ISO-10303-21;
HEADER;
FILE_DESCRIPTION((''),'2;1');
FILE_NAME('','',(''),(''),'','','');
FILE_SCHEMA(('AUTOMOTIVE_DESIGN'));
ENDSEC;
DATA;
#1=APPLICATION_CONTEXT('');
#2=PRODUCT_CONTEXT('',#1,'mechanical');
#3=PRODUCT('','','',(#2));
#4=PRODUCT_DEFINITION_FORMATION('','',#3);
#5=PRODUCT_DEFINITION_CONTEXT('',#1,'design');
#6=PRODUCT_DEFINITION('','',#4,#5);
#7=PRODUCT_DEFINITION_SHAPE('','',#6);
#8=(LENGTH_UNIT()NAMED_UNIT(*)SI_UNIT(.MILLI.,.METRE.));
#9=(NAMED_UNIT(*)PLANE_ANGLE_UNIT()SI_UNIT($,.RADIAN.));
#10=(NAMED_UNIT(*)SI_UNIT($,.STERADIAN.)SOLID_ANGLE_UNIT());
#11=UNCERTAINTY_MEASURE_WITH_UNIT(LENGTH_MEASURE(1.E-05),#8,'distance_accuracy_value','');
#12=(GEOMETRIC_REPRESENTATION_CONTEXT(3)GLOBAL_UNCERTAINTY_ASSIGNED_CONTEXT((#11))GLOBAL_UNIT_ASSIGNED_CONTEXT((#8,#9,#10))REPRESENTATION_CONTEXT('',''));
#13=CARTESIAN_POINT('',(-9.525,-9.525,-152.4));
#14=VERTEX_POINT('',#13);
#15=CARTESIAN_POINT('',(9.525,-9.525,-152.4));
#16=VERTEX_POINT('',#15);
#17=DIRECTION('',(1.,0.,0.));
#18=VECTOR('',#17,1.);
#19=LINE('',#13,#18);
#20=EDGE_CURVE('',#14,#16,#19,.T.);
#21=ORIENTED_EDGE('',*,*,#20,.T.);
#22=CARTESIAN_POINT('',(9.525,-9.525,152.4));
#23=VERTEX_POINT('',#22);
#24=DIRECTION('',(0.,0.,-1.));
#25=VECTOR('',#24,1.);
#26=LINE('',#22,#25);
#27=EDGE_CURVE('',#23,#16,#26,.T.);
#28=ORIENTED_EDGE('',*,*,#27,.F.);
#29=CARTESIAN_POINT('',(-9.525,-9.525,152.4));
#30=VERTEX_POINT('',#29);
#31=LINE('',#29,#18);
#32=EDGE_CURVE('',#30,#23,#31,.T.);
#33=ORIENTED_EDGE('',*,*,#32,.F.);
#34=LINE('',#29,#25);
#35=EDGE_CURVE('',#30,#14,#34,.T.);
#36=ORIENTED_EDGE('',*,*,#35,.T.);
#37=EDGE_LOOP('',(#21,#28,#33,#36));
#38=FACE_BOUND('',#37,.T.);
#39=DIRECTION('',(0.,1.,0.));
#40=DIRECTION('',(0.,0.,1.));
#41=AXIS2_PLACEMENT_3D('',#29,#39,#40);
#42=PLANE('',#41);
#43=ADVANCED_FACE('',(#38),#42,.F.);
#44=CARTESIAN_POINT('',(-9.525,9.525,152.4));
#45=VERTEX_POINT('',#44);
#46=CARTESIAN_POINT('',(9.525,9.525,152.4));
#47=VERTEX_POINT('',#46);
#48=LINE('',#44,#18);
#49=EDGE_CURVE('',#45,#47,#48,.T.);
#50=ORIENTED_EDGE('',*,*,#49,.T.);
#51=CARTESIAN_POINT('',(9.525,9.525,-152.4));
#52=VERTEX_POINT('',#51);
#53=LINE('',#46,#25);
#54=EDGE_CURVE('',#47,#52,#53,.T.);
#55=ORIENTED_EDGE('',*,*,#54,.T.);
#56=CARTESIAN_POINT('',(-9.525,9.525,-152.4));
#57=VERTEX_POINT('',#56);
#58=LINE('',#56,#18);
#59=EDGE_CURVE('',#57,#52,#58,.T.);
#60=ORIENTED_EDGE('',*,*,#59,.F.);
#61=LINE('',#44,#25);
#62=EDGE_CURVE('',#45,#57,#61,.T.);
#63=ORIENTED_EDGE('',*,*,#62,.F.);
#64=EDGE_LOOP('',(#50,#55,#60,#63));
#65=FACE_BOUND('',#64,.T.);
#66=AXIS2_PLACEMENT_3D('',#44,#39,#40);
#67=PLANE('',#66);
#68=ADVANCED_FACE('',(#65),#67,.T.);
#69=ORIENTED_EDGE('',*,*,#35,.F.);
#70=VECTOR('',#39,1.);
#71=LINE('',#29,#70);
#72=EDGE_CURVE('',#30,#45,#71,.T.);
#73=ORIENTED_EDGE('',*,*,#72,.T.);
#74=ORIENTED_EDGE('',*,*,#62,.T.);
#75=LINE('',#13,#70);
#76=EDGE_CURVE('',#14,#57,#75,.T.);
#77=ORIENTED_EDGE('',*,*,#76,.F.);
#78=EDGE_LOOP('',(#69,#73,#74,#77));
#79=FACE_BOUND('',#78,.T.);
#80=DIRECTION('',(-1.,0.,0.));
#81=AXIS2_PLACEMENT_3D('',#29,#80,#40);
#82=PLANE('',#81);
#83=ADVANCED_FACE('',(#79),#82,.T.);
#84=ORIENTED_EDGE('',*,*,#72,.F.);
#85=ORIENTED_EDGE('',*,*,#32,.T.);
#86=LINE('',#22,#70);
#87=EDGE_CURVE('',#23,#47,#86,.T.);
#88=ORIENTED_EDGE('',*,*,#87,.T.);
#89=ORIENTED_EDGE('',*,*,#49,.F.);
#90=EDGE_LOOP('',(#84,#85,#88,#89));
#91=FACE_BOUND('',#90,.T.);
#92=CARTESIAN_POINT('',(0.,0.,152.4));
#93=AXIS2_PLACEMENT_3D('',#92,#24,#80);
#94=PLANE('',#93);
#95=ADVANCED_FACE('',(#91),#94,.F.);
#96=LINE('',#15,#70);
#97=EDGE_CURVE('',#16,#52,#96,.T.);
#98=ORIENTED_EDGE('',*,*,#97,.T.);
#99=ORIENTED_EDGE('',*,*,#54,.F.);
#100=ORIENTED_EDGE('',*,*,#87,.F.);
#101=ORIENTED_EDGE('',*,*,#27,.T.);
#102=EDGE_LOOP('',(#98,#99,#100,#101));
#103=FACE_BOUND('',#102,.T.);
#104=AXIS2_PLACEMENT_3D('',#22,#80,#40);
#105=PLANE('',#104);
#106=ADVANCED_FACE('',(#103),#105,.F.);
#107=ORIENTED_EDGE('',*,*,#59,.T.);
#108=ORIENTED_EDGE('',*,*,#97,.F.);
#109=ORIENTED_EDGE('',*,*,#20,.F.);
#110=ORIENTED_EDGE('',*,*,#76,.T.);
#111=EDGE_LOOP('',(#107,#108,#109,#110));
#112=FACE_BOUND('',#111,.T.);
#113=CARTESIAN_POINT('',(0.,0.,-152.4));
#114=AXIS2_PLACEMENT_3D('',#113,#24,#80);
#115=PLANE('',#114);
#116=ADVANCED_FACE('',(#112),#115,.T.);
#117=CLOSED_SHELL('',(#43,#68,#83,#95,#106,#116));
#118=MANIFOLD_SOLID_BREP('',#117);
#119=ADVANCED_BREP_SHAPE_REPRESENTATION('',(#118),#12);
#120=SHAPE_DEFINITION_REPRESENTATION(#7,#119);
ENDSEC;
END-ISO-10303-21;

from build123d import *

# Parameters (mm, degrees)
SKETCH1_W           = 19.05
SKETCH1_H           = 19.05
BOSS_EXTRUDE1_DEPTH = 152.4


with BuildPart() as part:
    # Sketch1 → Boss-Extrude1 (new, symmetric)
    with BuildSketch(Plane.XY):
        Rectangle(SKETCH1_W, SKETCH1_H)
    extrude(amount=BOSS_EXTRUDE1_DEPTH, both=True)


solid = part.part
